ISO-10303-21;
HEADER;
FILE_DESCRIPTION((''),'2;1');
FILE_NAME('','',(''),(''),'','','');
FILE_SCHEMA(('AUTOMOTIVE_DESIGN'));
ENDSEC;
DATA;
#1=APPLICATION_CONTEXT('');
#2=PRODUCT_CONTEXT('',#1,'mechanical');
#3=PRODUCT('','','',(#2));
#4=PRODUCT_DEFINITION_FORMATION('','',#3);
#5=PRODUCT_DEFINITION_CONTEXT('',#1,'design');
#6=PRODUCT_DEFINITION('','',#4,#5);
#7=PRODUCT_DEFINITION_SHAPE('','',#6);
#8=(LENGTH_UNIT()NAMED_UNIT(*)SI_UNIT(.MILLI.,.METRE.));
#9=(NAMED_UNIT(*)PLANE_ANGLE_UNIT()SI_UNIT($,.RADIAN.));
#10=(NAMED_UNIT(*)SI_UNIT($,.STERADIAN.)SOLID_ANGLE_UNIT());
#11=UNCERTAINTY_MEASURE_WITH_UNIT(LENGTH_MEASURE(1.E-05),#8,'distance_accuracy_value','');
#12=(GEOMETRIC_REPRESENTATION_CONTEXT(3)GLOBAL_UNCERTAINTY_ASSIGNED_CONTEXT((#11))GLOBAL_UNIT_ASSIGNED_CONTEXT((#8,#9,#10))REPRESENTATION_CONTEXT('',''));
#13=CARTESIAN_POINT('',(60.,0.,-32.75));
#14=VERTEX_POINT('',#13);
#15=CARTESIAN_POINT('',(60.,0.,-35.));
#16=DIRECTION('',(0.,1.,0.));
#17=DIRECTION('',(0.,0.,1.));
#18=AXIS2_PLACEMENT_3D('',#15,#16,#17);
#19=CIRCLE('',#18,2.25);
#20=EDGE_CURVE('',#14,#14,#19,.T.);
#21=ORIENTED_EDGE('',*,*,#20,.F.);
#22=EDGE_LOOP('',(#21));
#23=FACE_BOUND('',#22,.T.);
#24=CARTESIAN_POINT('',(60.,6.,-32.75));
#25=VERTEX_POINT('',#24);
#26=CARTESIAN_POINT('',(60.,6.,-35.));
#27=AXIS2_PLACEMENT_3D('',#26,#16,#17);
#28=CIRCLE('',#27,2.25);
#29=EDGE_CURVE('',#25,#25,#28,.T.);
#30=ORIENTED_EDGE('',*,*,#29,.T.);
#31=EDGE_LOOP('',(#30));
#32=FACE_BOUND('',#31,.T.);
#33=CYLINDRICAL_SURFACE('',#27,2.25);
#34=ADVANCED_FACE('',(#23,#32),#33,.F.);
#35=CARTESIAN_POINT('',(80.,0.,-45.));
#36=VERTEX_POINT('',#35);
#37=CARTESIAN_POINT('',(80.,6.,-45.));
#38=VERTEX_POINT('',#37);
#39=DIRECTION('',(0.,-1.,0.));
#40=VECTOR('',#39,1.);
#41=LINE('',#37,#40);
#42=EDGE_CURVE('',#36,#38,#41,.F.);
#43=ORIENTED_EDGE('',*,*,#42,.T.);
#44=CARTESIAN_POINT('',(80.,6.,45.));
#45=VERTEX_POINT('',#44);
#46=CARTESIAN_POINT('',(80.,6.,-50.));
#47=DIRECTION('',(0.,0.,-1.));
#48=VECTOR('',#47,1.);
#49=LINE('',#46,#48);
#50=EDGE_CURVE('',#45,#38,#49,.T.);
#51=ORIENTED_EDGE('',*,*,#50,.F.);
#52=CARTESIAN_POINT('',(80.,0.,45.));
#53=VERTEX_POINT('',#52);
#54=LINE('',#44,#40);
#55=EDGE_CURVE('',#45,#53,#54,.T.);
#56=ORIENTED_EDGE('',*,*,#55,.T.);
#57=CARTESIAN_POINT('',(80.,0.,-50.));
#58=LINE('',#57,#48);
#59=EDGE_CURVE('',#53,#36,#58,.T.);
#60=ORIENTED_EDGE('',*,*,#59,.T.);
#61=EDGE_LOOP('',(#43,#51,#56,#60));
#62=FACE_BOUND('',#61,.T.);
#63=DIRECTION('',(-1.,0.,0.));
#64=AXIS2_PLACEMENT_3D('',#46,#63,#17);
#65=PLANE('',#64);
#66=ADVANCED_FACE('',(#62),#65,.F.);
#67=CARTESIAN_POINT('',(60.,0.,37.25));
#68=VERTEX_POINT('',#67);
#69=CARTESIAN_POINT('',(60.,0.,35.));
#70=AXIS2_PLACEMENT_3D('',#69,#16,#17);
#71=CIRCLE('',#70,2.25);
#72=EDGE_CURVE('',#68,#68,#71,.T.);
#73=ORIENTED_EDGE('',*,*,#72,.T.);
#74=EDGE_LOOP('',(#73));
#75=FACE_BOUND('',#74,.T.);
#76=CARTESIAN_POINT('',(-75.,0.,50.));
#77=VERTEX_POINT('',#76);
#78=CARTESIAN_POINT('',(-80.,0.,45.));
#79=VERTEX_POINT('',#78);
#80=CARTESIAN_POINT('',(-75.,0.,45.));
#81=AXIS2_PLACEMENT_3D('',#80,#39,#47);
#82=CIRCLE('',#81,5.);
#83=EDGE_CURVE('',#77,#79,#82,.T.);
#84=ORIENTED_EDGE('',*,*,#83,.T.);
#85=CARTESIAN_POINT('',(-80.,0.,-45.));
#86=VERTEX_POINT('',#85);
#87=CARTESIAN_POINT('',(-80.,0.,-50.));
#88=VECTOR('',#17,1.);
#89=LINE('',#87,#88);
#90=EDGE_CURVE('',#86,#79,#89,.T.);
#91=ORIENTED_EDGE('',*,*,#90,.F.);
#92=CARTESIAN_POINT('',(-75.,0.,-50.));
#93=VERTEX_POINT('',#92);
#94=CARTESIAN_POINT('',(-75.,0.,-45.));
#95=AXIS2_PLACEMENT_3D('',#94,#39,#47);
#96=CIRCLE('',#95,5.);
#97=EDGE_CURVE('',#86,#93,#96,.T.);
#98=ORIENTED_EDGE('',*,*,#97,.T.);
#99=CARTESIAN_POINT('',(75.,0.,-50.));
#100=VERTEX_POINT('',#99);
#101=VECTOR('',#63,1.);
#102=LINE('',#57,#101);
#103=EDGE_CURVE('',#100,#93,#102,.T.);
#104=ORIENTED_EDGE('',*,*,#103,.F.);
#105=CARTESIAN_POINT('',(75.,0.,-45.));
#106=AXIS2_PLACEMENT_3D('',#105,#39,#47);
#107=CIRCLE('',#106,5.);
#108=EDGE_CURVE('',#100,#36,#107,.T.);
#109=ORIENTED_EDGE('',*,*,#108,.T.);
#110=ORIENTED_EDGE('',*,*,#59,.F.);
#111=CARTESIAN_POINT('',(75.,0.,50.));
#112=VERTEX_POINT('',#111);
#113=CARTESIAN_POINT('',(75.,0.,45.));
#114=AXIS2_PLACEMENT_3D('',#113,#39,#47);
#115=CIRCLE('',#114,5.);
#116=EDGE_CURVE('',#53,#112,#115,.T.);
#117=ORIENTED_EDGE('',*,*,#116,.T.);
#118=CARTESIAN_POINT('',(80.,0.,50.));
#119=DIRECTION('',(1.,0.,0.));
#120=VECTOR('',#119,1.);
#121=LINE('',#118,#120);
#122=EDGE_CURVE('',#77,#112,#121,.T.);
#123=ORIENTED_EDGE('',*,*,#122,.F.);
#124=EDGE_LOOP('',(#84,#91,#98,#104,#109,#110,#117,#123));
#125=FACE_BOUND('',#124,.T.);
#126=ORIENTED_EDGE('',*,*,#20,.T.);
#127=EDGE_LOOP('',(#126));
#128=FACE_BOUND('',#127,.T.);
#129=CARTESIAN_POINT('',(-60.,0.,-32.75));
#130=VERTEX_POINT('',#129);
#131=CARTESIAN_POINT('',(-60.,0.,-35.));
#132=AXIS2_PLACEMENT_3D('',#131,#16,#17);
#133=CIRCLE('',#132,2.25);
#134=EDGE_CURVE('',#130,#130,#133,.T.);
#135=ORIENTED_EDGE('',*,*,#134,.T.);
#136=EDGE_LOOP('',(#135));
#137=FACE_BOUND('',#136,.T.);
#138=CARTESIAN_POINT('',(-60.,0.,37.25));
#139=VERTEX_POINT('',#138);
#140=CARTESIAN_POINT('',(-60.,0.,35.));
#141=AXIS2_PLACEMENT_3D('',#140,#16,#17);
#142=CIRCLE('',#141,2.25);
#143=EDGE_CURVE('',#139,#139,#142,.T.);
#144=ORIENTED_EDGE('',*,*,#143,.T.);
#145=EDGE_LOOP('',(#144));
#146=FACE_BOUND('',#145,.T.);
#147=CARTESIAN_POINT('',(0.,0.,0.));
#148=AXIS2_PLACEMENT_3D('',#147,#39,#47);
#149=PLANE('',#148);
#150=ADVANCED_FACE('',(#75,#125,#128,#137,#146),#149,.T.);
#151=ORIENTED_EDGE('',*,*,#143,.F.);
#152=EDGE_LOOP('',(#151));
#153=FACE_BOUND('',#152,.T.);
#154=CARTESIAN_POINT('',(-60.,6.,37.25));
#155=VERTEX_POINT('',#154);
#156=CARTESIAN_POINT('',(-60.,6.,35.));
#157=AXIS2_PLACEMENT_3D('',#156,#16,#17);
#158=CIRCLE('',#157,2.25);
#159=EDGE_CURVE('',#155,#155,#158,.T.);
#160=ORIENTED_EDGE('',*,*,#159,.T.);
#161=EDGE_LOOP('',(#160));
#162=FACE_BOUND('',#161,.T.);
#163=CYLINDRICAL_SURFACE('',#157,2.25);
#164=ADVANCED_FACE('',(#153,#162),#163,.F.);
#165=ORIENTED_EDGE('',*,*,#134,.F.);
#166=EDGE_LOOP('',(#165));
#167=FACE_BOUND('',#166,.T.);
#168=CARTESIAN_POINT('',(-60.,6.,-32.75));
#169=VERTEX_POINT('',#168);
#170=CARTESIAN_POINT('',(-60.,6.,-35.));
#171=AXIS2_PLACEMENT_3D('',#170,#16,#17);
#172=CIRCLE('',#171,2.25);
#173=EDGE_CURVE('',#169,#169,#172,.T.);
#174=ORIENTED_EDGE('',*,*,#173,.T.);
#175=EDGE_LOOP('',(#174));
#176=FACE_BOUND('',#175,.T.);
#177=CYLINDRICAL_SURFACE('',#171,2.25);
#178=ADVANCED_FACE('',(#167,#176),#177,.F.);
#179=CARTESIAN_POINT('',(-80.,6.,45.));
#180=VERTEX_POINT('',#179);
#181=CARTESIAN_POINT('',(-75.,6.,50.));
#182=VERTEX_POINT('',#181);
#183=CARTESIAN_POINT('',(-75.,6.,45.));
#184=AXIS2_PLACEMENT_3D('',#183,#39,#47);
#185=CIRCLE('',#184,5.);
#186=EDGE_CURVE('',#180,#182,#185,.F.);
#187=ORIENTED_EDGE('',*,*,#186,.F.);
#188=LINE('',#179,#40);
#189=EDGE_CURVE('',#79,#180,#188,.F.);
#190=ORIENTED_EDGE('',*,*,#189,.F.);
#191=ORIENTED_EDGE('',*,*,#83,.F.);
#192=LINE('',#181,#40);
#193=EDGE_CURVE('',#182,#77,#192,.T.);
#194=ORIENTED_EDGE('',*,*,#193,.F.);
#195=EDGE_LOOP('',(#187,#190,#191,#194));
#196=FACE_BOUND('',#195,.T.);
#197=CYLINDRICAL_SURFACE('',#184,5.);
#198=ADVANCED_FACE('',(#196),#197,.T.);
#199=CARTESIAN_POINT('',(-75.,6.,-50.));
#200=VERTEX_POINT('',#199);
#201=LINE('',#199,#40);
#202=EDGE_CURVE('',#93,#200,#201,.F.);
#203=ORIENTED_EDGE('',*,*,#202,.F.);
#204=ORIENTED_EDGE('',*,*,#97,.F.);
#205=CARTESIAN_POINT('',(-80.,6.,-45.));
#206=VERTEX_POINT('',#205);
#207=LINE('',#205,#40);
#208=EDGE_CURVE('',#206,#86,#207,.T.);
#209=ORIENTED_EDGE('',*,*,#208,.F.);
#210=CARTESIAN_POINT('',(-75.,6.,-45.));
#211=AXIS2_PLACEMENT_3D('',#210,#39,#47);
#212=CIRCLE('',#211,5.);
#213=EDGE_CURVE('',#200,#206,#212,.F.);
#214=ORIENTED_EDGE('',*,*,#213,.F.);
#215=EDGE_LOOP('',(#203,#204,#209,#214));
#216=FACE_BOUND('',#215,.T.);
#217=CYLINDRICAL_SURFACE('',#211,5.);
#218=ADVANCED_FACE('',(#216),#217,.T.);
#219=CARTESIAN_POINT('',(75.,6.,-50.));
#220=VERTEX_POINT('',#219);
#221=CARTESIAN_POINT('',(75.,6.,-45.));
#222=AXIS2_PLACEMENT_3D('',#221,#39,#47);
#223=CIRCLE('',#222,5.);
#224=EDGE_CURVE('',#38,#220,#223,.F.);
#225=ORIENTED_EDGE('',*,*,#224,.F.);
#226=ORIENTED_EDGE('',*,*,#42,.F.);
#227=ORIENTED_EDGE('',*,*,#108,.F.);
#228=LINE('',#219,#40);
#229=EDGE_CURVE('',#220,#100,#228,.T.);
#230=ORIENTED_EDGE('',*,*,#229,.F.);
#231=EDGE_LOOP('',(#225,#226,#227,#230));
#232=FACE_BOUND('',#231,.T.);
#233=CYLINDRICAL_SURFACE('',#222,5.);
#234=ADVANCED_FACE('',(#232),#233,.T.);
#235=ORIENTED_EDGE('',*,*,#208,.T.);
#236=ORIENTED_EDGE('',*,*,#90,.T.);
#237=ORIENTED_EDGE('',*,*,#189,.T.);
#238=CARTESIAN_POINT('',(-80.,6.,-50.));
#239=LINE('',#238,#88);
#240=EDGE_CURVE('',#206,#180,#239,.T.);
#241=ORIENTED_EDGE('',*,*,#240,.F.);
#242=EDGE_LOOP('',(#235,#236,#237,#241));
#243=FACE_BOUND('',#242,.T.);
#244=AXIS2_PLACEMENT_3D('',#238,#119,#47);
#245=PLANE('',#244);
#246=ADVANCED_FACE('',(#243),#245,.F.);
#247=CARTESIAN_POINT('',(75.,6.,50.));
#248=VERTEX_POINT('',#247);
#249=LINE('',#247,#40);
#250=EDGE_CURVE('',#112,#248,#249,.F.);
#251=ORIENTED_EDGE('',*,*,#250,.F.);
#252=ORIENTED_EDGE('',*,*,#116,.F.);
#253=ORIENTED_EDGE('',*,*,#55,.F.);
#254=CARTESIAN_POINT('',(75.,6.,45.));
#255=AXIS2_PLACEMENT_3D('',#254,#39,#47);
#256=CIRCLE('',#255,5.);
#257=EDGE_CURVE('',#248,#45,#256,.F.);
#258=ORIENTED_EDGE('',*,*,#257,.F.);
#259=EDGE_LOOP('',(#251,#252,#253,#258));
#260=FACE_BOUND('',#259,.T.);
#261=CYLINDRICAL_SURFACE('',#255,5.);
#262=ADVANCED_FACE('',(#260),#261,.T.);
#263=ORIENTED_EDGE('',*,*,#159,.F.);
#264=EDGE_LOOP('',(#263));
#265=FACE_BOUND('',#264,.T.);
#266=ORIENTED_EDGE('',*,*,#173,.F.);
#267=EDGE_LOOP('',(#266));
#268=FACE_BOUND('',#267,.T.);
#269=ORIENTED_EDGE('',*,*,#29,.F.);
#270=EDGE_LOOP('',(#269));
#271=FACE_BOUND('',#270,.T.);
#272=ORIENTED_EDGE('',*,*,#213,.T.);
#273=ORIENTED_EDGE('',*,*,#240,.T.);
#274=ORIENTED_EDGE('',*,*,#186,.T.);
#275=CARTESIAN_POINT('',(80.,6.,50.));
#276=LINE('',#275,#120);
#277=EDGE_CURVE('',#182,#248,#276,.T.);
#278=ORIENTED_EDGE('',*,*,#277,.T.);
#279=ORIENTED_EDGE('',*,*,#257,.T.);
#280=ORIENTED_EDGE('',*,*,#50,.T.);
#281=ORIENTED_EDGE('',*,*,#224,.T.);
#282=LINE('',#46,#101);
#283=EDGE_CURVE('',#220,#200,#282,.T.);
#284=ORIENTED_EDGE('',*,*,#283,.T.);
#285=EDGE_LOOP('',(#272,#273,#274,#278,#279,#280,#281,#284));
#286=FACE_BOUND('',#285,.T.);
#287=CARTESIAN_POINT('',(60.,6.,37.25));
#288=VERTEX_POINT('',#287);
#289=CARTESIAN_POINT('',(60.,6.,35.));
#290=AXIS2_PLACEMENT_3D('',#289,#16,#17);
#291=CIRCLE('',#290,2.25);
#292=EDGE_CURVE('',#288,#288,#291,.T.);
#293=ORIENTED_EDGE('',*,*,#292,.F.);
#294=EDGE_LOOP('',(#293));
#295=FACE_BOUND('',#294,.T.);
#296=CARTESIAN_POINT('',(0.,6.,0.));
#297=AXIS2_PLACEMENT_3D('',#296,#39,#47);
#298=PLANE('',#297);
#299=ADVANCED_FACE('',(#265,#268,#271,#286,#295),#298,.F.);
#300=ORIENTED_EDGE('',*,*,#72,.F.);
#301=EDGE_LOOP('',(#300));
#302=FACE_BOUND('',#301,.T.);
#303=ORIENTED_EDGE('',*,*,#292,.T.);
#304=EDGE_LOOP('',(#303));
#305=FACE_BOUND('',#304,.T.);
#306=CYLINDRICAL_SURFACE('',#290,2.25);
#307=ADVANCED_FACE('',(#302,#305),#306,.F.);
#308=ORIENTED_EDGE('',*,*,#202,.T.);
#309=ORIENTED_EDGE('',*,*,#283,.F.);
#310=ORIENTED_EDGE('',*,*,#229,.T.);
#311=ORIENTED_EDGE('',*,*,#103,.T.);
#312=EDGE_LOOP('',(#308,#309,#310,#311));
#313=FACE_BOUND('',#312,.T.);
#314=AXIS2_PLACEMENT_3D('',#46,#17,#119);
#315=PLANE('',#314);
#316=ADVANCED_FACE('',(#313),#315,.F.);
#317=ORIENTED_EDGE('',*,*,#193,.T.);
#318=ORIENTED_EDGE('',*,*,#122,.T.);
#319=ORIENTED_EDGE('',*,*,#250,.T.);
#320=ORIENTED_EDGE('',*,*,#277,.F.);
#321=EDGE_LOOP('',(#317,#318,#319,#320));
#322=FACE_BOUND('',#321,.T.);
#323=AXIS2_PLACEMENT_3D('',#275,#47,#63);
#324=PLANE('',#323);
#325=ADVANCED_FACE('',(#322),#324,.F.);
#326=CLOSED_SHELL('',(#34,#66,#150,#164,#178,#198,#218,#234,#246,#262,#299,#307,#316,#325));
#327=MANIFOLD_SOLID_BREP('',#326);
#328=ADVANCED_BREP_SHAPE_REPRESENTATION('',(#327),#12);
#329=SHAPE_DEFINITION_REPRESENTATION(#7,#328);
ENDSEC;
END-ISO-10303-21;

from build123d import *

# Parameters (mm, degrees)
SKETCH1_W                     = 160
SKETCH1_H                     = 100
BASEPLATE_160X100X6_DEPTH     = 6
CORNER_FILLET_R5_R            = 5
M4_ISOLATOR_CLEARANCE_HOLES_D = 4.5


with BuildPart() as part:
    # Sketch1 → BasePlate_160x100x6 (new body)
    with BuildSketch(Plane(origin=(0, 0, 0), x_dir=(1, 0, 0), z_dir=(0, 1, 0))):
        Rectangle(SKETCH1_W, SKETCH1_H)
    extrude(amount=BASEPLATE_160X100X6_DEPTH)

    # Corner_Fillet_R5
    corner_fillet_r5_edges = [part.edges().sort_by_distance(p)[0] for p in [
        (-80, 3, -50),
        (80, 3, -50),
        (80, 3, 50),
        (-80, 3, 50),
    ]]
    fillet(corner_fillet_r5_edges, radius=CORNER_FILLET_R5_R)

    # M4_Isolator_Clearance_Holes (through all)
    with Locations(Plane(origin=(0, 6, 0), x_dir=(1, 0, 0), z_dir=(0, 1, 0))):
        with Locations((-60, 35), (60, 35), (60, -35), (-60, -35)):
            Hole(M4_ISOLATOR_CLEARANCE_HOLES_D / 2)


solid = part.part
